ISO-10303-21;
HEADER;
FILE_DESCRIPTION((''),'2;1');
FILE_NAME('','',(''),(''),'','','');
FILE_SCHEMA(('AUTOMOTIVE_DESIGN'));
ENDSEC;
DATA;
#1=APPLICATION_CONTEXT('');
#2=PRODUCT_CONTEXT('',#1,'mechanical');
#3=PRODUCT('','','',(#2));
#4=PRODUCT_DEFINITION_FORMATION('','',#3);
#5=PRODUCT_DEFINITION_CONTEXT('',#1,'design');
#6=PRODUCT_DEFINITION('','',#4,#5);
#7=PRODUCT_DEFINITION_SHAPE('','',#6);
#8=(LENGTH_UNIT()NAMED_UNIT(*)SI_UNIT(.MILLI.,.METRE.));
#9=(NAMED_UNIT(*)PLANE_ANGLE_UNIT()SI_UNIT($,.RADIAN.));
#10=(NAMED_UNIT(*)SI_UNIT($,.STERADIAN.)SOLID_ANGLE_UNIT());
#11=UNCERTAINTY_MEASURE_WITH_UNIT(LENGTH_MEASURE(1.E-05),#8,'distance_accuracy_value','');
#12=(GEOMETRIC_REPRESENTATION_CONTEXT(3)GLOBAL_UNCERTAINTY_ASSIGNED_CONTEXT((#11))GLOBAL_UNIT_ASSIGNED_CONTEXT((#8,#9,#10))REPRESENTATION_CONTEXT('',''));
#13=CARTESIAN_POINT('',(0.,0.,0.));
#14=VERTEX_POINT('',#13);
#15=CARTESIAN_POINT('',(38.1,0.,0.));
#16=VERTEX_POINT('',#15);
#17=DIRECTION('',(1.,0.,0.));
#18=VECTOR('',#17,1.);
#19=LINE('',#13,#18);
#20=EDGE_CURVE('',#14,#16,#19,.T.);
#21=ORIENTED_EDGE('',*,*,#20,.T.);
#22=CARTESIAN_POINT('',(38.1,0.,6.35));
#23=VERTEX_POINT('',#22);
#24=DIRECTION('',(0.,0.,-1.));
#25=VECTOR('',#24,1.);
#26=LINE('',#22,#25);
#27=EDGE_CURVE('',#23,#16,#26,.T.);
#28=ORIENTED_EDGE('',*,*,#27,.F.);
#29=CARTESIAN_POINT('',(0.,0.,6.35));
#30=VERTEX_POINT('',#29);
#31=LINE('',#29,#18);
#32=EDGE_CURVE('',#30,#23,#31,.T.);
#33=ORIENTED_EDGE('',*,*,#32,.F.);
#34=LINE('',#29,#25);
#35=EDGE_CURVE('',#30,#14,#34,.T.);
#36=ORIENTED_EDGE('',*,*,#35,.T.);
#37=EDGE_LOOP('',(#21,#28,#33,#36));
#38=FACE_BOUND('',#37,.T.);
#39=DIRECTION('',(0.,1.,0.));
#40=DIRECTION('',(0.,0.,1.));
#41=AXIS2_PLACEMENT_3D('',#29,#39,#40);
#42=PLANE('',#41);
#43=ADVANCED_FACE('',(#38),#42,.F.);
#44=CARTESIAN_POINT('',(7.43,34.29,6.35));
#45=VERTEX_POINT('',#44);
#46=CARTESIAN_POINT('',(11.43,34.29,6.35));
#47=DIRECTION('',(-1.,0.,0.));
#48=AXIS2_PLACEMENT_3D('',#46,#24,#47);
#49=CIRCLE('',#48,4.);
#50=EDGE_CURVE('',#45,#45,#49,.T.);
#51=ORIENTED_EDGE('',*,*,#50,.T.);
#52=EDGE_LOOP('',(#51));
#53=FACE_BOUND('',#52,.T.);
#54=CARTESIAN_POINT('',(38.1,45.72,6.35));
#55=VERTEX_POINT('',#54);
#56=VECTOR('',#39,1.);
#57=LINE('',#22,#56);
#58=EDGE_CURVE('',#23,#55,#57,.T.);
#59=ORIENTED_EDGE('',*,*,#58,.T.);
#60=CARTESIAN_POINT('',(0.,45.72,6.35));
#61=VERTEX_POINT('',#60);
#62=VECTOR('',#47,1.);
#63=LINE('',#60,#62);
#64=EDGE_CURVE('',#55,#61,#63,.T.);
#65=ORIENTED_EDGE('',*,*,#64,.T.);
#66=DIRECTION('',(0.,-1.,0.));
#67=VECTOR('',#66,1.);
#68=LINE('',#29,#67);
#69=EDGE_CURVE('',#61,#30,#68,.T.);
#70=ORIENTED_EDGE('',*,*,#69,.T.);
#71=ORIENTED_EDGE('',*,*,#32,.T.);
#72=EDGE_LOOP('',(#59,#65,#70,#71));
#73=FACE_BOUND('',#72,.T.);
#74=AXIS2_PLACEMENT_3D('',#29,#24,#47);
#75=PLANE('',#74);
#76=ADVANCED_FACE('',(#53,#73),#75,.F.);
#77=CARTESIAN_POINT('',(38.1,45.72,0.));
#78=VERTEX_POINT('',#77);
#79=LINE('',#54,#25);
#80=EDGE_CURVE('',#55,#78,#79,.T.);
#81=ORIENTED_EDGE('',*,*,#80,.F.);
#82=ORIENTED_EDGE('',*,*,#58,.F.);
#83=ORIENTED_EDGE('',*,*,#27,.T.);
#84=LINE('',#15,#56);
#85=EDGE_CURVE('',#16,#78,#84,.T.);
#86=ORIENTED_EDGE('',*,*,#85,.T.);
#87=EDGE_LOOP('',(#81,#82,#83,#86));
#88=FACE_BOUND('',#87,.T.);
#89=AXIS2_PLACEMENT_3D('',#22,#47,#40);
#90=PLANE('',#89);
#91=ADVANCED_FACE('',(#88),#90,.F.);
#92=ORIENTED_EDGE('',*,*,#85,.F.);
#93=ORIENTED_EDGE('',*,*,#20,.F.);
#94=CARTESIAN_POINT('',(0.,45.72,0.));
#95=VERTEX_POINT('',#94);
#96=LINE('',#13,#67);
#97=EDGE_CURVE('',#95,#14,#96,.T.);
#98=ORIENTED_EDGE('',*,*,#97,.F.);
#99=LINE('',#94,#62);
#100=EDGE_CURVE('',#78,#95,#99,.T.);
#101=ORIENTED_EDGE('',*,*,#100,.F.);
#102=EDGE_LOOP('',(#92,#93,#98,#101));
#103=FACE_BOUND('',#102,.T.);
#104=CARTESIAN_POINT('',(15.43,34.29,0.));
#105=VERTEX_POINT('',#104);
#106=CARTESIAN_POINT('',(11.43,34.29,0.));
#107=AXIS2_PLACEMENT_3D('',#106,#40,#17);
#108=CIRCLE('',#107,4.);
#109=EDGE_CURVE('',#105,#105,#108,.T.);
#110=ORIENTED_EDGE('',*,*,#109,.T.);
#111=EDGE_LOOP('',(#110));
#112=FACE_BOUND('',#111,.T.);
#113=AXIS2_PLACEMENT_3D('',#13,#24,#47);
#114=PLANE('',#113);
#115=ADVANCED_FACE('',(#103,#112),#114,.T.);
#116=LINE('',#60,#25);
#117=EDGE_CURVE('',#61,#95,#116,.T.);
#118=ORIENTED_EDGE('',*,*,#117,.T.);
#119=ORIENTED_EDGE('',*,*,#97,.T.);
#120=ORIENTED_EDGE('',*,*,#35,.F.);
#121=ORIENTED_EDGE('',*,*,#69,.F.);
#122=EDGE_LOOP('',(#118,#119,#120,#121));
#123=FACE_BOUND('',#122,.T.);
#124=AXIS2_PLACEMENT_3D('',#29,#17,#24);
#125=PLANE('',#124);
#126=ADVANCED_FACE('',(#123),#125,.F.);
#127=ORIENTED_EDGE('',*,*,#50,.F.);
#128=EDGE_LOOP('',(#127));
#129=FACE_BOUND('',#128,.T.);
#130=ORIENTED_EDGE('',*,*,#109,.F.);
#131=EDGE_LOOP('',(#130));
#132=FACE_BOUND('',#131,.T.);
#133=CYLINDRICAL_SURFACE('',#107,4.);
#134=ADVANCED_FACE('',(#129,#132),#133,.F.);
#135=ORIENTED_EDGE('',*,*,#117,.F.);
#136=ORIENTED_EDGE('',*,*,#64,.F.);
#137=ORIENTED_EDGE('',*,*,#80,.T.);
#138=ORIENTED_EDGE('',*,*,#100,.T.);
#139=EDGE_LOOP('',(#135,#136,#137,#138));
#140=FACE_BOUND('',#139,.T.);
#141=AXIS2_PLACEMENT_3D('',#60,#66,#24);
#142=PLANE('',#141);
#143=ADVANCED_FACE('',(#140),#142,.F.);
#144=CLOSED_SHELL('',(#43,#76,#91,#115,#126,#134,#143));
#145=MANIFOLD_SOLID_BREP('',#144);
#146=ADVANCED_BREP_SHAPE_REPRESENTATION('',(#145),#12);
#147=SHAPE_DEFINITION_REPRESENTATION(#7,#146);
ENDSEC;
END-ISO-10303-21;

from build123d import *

# Parameters (mm, degrees)
SKETCH1_W               = 38.1
SKETCH1_H               = 45.72
BOSS_EXTRUDE1_DEPTH     = 6.35
SKETCH2_R               = 4
CUT_EXTRUDE1_DEPTH      = 1
CUT_EXTRUDE1_DEPTH_BACK = 7.35


with BuildPart() as part:
    # Sketch1 → Boss-Extrude1 (new body)
    with BuildSketch(Plane.XY):
        with Locations((19.05, 22.86)):
            Rectangle(SKETCH1_W, SKETCH1_H)
    extrude(amount=BOSS_EXTRUDE1_DEPTH)

    # Sketch2 → Cut-Extrude1 (cut, two sides)
    with BuildSketch(Plane.XY.offset(6.35)) as cut_extrude1_sk:
        with Locations((11.43, 34.29)):
            Circle(SKETCH2_R)
    extrude(amount=CUT_EXTRUDE1_DEPTH, mode=Mode.SUBTRACT)
    extrude(cut_extrude1_sk.sketch, amount=-CUT_EXTRUDE1_DEPTH_BACK, mode=Mode.SUBTRACT)


solid = part.part
